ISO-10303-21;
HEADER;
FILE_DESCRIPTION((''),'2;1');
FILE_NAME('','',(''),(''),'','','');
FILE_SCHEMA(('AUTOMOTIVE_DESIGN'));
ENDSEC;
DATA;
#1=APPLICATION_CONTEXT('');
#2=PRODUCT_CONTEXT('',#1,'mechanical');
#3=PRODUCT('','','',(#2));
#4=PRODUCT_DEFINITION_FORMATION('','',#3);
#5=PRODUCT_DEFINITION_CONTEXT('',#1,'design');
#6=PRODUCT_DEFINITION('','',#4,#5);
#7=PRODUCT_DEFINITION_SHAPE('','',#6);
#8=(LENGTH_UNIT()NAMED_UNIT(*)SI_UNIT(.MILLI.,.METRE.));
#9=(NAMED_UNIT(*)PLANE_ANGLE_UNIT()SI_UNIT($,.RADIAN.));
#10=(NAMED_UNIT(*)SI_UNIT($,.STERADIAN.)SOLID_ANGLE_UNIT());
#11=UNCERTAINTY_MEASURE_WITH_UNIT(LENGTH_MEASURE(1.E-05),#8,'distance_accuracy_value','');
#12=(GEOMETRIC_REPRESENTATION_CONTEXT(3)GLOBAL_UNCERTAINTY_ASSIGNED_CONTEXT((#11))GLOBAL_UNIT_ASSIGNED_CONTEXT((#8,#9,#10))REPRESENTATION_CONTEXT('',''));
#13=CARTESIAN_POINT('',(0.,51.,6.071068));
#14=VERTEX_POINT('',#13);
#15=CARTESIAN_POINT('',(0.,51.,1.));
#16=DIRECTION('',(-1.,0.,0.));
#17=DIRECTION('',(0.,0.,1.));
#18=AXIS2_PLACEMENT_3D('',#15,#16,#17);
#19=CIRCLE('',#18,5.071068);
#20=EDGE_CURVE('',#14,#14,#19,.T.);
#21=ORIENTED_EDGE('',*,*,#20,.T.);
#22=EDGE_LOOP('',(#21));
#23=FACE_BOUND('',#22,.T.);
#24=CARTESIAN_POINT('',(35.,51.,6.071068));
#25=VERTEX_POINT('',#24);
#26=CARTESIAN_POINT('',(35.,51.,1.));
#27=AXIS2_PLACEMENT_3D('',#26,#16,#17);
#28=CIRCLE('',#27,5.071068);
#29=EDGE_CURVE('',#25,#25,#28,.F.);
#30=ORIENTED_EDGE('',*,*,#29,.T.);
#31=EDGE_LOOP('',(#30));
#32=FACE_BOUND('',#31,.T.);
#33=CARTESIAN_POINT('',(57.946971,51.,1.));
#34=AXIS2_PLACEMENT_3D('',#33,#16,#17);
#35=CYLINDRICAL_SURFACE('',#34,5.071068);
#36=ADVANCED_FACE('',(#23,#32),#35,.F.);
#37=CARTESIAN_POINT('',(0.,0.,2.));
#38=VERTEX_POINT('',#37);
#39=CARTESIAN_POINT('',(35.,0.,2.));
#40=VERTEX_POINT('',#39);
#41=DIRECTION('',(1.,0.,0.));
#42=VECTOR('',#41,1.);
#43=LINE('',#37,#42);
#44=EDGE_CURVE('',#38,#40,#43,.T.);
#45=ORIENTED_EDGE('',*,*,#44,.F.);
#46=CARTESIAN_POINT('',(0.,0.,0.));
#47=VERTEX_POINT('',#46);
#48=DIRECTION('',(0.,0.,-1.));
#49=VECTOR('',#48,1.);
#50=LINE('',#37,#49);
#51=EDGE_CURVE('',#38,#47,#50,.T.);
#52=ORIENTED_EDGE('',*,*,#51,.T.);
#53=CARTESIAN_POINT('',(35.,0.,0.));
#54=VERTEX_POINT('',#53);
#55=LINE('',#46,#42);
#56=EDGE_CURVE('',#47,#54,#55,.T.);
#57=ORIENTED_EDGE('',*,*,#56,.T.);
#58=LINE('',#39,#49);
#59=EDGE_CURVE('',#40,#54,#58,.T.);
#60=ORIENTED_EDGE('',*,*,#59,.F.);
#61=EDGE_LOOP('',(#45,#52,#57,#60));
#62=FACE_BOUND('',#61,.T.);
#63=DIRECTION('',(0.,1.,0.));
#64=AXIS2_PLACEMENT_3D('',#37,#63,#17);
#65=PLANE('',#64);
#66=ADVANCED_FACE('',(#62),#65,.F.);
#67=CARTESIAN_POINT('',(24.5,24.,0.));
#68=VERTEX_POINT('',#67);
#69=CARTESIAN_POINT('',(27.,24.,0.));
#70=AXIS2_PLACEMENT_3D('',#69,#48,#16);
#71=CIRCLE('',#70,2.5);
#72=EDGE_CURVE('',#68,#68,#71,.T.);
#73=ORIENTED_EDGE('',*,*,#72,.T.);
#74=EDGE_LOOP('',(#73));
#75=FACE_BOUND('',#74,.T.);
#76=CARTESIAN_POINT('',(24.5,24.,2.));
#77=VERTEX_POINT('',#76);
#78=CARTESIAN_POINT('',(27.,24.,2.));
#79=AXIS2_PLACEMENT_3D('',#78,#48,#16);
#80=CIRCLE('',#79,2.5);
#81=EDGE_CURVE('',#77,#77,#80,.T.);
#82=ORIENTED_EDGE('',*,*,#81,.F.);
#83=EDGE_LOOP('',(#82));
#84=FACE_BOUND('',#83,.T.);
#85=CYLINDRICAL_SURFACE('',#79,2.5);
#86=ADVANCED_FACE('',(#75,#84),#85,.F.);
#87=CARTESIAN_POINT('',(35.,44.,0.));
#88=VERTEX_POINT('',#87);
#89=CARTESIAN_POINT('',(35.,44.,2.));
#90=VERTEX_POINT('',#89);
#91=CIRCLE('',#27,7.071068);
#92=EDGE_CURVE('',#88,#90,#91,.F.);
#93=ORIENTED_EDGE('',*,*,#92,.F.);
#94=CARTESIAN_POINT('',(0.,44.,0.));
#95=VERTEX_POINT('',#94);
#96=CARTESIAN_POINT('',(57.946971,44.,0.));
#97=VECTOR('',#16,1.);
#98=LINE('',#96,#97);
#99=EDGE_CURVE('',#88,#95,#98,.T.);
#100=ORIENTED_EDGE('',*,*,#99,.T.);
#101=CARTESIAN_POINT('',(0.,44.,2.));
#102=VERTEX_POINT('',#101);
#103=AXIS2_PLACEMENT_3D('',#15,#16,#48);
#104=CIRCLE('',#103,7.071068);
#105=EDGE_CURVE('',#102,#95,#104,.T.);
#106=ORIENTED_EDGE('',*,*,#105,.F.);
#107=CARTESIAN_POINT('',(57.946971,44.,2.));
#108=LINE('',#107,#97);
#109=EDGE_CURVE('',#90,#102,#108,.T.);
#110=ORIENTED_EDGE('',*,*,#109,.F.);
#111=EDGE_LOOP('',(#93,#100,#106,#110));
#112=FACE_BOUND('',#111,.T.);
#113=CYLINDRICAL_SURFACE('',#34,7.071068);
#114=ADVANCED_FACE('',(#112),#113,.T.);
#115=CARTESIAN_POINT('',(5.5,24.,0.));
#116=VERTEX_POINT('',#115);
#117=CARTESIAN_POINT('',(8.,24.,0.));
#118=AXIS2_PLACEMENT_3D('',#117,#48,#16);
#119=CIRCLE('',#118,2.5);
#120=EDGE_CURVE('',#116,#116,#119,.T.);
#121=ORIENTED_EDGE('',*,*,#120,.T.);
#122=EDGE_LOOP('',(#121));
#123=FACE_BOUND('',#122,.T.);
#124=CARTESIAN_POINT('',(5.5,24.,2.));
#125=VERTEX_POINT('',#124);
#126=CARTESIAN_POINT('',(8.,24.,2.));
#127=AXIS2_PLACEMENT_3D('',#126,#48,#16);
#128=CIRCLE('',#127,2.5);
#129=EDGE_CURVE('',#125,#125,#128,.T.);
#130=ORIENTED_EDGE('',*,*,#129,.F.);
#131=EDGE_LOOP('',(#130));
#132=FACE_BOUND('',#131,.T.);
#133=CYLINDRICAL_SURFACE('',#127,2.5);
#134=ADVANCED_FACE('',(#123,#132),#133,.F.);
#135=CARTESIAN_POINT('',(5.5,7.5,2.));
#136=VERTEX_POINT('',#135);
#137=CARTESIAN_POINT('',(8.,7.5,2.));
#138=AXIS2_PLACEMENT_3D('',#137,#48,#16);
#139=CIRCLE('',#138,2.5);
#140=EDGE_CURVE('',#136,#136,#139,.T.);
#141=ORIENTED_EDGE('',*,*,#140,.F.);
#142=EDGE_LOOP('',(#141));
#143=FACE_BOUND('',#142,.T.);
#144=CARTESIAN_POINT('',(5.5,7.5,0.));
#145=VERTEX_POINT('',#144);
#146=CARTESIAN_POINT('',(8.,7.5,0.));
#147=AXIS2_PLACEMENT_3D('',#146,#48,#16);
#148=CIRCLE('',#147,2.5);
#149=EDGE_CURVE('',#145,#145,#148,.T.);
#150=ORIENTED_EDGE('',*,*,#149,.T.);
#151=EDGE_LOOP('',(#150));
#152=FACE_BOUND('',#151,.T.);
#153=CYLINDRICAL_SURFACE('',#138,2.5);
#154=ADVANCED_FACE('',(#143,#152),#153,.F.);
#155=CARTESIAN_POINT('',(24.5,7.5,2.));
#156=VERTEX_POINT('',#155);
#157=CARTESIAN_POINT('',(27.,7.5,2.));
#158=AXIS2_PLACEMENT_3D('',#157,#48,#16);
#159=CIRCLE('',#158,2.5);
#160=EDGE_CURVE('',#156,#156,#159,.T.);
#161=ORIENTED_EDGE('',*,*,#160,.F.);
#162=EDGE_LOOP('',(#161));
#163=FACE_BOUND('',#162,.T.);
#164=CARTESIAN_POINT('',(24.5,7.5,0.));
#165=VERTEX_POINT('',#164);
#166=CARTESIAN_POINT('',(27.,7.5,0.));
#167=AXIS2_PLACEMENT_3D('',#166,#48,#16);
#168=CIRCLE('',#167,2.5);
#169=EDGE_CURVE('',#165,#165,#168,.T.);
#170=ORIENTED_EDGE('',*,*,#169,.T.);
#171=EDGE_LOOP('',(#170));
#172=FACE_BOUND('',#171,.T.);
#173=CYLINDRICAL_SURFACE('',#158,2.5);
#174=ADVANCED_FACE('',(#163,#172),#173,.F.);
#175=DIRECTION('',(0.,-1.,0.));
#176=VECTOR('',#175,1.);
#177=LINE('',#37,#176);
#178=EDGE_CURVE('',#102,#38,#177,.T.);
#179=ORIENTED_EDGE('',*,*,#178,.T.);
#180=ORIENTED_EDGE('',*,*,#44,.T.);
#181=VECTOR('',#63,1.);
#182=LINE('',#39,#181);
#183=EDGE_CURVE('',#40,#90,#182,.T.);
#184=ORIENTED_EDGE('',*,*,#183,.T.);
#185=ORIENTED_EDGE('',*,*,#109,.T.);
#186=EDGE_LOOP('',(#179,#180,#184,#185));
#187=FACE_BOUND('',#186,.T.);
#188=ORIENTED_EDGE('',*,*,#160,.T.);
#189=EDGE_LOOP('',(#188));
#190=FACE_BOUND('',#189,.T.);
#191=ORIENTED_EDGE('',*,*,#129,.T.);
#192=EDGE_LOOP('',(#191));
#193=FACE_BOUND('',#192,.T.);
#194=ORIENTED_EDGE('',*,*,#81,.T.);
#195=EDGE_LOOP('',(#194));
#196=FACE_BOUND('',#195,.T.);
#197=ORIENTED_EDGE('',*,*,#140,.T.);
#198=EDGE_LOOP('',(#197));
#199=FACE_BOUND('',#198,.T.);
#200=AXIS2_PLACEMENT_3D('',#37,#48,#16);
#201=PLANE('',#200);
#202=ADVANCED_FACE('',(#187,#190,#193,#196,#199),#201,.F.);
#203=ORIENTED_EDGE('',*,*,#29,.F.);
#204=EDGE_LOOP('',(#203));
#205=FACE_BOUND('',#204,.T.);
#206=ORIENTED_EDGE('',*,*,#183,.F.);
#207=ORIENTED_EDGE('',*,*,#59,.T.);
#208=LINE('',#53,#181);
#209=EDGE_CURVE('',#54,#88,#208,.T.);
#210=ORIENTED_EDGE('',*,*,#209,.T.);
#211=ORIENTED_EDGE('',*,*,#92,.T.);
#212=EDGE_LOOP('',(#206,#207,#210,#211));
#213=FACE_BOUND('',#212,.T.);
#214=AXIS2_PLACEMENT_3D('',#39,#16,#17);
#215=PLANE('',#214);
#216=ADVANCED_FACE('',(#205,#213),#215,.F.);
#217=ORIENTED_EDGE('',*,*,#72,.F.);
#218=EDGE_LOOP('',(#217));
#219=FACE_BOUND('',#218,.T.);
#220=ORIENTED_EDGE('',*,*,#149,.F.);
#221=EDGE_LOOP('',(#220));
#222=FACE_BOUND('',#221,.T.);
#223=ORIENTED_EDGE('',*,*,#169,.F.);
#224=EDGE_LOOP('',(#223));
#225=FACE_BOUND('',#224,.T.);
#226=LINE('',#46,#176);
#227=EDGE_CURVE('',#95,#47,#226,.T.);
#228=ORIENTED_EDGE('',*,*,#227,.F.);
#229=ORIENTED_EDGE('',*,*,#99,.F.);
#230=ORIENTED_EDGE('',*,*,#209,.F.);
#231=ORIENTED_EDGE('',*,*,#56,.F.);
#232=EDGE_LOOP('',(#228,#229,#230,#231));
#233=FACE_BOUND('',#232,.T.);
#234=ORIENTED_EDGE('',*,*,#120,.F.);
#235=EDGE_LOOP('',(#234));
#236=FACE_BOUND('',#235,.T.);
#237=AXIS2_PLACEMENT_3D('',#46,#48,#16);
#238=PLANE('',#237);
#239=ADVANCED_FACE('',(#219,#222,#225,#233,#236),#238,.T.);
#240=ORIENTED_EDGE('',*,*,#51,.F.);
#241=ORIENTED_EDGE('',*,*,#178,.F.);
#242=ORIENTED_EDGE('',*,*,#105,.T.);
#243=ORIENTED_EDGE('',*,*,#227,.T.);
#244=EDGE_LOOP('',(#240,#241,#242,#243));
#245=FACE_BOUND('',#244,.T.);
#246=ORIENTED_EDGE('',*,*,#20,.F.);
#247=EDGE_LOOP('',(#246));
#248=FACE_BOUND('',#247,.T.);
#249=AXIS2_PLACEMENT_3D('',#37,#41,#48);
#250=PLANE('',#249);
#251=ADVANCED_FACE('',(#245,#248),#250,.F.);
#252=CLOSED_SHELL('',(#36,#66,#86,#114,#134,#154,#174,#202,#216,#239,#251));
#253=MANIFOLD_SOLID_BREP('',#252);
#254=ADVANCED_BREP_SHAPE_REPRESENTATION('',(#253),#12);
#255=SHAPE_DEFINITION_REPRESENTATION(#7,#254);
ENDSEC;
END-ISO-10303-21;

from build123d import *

# Parameters (mm, degrees)
SKETCH1_W           = 35
SKETCH1_H           = 40
BOSS_EXTRUDE1_DEPTH = 2
SKETCH2_R           = 2.5
CUT_EXTRUDE1_DEPTH  = 54.188344588
SKETCH3_R           = 5.071067812
BOSS_EXTRUDE2_DEPTH = 35


with BuildPart() as part:
    # Sketch1 → Boss-Extrude1 (new body)
    with BuildSketch(Plane.XY):
        with Locations((17.5, 20)):
            Rectangle(SKETCH1_W, SKETCH1_H)
    extrude(amount=BOSS_EXTRUDE1_DEPTH)

    # Sketch2 → Cut-Extrude1 (cut, through all)
    with BuildSketch(Plane(origin=(0, 0, 0), x_dir=(-1, 0, 0), z_dir=(0, 0, -1))):
        with Locations((-27, 24)):
            Circle(SKETCH2_R)
        with Locations((-8, 24)):
            Circle(SKETCH2_R)
        with Locations((-8, 7.5)):
            Circle(SKETCH2_R)
        with Locations((-27, 7.5)):
            Circle(SKETCH2_R)
    extrude(amount=-CUT_EXTRUDE1_DEPTH, mode=Mode.SUBTRACT)

    # Sketch3 → Boss-Extrude2 (add)
    with BuildSketch(Plane.ZY):
        with BuildLine():
            Line((0, 40), (2, 40))
            Line((2, 40), (2, 44))
            ThreePointArc((2, 44), (1, 58.071067812), (0, 44))
            Line((0, 44), (0, 40))
        make_face()
        with Locations((1, 51)):
            Circle(SKETCH3_R, mode=Mode.SUBTRACT)
    extrude(amount=-BOSS_EXTRUDE2_DEPTH)


solid = part.part
